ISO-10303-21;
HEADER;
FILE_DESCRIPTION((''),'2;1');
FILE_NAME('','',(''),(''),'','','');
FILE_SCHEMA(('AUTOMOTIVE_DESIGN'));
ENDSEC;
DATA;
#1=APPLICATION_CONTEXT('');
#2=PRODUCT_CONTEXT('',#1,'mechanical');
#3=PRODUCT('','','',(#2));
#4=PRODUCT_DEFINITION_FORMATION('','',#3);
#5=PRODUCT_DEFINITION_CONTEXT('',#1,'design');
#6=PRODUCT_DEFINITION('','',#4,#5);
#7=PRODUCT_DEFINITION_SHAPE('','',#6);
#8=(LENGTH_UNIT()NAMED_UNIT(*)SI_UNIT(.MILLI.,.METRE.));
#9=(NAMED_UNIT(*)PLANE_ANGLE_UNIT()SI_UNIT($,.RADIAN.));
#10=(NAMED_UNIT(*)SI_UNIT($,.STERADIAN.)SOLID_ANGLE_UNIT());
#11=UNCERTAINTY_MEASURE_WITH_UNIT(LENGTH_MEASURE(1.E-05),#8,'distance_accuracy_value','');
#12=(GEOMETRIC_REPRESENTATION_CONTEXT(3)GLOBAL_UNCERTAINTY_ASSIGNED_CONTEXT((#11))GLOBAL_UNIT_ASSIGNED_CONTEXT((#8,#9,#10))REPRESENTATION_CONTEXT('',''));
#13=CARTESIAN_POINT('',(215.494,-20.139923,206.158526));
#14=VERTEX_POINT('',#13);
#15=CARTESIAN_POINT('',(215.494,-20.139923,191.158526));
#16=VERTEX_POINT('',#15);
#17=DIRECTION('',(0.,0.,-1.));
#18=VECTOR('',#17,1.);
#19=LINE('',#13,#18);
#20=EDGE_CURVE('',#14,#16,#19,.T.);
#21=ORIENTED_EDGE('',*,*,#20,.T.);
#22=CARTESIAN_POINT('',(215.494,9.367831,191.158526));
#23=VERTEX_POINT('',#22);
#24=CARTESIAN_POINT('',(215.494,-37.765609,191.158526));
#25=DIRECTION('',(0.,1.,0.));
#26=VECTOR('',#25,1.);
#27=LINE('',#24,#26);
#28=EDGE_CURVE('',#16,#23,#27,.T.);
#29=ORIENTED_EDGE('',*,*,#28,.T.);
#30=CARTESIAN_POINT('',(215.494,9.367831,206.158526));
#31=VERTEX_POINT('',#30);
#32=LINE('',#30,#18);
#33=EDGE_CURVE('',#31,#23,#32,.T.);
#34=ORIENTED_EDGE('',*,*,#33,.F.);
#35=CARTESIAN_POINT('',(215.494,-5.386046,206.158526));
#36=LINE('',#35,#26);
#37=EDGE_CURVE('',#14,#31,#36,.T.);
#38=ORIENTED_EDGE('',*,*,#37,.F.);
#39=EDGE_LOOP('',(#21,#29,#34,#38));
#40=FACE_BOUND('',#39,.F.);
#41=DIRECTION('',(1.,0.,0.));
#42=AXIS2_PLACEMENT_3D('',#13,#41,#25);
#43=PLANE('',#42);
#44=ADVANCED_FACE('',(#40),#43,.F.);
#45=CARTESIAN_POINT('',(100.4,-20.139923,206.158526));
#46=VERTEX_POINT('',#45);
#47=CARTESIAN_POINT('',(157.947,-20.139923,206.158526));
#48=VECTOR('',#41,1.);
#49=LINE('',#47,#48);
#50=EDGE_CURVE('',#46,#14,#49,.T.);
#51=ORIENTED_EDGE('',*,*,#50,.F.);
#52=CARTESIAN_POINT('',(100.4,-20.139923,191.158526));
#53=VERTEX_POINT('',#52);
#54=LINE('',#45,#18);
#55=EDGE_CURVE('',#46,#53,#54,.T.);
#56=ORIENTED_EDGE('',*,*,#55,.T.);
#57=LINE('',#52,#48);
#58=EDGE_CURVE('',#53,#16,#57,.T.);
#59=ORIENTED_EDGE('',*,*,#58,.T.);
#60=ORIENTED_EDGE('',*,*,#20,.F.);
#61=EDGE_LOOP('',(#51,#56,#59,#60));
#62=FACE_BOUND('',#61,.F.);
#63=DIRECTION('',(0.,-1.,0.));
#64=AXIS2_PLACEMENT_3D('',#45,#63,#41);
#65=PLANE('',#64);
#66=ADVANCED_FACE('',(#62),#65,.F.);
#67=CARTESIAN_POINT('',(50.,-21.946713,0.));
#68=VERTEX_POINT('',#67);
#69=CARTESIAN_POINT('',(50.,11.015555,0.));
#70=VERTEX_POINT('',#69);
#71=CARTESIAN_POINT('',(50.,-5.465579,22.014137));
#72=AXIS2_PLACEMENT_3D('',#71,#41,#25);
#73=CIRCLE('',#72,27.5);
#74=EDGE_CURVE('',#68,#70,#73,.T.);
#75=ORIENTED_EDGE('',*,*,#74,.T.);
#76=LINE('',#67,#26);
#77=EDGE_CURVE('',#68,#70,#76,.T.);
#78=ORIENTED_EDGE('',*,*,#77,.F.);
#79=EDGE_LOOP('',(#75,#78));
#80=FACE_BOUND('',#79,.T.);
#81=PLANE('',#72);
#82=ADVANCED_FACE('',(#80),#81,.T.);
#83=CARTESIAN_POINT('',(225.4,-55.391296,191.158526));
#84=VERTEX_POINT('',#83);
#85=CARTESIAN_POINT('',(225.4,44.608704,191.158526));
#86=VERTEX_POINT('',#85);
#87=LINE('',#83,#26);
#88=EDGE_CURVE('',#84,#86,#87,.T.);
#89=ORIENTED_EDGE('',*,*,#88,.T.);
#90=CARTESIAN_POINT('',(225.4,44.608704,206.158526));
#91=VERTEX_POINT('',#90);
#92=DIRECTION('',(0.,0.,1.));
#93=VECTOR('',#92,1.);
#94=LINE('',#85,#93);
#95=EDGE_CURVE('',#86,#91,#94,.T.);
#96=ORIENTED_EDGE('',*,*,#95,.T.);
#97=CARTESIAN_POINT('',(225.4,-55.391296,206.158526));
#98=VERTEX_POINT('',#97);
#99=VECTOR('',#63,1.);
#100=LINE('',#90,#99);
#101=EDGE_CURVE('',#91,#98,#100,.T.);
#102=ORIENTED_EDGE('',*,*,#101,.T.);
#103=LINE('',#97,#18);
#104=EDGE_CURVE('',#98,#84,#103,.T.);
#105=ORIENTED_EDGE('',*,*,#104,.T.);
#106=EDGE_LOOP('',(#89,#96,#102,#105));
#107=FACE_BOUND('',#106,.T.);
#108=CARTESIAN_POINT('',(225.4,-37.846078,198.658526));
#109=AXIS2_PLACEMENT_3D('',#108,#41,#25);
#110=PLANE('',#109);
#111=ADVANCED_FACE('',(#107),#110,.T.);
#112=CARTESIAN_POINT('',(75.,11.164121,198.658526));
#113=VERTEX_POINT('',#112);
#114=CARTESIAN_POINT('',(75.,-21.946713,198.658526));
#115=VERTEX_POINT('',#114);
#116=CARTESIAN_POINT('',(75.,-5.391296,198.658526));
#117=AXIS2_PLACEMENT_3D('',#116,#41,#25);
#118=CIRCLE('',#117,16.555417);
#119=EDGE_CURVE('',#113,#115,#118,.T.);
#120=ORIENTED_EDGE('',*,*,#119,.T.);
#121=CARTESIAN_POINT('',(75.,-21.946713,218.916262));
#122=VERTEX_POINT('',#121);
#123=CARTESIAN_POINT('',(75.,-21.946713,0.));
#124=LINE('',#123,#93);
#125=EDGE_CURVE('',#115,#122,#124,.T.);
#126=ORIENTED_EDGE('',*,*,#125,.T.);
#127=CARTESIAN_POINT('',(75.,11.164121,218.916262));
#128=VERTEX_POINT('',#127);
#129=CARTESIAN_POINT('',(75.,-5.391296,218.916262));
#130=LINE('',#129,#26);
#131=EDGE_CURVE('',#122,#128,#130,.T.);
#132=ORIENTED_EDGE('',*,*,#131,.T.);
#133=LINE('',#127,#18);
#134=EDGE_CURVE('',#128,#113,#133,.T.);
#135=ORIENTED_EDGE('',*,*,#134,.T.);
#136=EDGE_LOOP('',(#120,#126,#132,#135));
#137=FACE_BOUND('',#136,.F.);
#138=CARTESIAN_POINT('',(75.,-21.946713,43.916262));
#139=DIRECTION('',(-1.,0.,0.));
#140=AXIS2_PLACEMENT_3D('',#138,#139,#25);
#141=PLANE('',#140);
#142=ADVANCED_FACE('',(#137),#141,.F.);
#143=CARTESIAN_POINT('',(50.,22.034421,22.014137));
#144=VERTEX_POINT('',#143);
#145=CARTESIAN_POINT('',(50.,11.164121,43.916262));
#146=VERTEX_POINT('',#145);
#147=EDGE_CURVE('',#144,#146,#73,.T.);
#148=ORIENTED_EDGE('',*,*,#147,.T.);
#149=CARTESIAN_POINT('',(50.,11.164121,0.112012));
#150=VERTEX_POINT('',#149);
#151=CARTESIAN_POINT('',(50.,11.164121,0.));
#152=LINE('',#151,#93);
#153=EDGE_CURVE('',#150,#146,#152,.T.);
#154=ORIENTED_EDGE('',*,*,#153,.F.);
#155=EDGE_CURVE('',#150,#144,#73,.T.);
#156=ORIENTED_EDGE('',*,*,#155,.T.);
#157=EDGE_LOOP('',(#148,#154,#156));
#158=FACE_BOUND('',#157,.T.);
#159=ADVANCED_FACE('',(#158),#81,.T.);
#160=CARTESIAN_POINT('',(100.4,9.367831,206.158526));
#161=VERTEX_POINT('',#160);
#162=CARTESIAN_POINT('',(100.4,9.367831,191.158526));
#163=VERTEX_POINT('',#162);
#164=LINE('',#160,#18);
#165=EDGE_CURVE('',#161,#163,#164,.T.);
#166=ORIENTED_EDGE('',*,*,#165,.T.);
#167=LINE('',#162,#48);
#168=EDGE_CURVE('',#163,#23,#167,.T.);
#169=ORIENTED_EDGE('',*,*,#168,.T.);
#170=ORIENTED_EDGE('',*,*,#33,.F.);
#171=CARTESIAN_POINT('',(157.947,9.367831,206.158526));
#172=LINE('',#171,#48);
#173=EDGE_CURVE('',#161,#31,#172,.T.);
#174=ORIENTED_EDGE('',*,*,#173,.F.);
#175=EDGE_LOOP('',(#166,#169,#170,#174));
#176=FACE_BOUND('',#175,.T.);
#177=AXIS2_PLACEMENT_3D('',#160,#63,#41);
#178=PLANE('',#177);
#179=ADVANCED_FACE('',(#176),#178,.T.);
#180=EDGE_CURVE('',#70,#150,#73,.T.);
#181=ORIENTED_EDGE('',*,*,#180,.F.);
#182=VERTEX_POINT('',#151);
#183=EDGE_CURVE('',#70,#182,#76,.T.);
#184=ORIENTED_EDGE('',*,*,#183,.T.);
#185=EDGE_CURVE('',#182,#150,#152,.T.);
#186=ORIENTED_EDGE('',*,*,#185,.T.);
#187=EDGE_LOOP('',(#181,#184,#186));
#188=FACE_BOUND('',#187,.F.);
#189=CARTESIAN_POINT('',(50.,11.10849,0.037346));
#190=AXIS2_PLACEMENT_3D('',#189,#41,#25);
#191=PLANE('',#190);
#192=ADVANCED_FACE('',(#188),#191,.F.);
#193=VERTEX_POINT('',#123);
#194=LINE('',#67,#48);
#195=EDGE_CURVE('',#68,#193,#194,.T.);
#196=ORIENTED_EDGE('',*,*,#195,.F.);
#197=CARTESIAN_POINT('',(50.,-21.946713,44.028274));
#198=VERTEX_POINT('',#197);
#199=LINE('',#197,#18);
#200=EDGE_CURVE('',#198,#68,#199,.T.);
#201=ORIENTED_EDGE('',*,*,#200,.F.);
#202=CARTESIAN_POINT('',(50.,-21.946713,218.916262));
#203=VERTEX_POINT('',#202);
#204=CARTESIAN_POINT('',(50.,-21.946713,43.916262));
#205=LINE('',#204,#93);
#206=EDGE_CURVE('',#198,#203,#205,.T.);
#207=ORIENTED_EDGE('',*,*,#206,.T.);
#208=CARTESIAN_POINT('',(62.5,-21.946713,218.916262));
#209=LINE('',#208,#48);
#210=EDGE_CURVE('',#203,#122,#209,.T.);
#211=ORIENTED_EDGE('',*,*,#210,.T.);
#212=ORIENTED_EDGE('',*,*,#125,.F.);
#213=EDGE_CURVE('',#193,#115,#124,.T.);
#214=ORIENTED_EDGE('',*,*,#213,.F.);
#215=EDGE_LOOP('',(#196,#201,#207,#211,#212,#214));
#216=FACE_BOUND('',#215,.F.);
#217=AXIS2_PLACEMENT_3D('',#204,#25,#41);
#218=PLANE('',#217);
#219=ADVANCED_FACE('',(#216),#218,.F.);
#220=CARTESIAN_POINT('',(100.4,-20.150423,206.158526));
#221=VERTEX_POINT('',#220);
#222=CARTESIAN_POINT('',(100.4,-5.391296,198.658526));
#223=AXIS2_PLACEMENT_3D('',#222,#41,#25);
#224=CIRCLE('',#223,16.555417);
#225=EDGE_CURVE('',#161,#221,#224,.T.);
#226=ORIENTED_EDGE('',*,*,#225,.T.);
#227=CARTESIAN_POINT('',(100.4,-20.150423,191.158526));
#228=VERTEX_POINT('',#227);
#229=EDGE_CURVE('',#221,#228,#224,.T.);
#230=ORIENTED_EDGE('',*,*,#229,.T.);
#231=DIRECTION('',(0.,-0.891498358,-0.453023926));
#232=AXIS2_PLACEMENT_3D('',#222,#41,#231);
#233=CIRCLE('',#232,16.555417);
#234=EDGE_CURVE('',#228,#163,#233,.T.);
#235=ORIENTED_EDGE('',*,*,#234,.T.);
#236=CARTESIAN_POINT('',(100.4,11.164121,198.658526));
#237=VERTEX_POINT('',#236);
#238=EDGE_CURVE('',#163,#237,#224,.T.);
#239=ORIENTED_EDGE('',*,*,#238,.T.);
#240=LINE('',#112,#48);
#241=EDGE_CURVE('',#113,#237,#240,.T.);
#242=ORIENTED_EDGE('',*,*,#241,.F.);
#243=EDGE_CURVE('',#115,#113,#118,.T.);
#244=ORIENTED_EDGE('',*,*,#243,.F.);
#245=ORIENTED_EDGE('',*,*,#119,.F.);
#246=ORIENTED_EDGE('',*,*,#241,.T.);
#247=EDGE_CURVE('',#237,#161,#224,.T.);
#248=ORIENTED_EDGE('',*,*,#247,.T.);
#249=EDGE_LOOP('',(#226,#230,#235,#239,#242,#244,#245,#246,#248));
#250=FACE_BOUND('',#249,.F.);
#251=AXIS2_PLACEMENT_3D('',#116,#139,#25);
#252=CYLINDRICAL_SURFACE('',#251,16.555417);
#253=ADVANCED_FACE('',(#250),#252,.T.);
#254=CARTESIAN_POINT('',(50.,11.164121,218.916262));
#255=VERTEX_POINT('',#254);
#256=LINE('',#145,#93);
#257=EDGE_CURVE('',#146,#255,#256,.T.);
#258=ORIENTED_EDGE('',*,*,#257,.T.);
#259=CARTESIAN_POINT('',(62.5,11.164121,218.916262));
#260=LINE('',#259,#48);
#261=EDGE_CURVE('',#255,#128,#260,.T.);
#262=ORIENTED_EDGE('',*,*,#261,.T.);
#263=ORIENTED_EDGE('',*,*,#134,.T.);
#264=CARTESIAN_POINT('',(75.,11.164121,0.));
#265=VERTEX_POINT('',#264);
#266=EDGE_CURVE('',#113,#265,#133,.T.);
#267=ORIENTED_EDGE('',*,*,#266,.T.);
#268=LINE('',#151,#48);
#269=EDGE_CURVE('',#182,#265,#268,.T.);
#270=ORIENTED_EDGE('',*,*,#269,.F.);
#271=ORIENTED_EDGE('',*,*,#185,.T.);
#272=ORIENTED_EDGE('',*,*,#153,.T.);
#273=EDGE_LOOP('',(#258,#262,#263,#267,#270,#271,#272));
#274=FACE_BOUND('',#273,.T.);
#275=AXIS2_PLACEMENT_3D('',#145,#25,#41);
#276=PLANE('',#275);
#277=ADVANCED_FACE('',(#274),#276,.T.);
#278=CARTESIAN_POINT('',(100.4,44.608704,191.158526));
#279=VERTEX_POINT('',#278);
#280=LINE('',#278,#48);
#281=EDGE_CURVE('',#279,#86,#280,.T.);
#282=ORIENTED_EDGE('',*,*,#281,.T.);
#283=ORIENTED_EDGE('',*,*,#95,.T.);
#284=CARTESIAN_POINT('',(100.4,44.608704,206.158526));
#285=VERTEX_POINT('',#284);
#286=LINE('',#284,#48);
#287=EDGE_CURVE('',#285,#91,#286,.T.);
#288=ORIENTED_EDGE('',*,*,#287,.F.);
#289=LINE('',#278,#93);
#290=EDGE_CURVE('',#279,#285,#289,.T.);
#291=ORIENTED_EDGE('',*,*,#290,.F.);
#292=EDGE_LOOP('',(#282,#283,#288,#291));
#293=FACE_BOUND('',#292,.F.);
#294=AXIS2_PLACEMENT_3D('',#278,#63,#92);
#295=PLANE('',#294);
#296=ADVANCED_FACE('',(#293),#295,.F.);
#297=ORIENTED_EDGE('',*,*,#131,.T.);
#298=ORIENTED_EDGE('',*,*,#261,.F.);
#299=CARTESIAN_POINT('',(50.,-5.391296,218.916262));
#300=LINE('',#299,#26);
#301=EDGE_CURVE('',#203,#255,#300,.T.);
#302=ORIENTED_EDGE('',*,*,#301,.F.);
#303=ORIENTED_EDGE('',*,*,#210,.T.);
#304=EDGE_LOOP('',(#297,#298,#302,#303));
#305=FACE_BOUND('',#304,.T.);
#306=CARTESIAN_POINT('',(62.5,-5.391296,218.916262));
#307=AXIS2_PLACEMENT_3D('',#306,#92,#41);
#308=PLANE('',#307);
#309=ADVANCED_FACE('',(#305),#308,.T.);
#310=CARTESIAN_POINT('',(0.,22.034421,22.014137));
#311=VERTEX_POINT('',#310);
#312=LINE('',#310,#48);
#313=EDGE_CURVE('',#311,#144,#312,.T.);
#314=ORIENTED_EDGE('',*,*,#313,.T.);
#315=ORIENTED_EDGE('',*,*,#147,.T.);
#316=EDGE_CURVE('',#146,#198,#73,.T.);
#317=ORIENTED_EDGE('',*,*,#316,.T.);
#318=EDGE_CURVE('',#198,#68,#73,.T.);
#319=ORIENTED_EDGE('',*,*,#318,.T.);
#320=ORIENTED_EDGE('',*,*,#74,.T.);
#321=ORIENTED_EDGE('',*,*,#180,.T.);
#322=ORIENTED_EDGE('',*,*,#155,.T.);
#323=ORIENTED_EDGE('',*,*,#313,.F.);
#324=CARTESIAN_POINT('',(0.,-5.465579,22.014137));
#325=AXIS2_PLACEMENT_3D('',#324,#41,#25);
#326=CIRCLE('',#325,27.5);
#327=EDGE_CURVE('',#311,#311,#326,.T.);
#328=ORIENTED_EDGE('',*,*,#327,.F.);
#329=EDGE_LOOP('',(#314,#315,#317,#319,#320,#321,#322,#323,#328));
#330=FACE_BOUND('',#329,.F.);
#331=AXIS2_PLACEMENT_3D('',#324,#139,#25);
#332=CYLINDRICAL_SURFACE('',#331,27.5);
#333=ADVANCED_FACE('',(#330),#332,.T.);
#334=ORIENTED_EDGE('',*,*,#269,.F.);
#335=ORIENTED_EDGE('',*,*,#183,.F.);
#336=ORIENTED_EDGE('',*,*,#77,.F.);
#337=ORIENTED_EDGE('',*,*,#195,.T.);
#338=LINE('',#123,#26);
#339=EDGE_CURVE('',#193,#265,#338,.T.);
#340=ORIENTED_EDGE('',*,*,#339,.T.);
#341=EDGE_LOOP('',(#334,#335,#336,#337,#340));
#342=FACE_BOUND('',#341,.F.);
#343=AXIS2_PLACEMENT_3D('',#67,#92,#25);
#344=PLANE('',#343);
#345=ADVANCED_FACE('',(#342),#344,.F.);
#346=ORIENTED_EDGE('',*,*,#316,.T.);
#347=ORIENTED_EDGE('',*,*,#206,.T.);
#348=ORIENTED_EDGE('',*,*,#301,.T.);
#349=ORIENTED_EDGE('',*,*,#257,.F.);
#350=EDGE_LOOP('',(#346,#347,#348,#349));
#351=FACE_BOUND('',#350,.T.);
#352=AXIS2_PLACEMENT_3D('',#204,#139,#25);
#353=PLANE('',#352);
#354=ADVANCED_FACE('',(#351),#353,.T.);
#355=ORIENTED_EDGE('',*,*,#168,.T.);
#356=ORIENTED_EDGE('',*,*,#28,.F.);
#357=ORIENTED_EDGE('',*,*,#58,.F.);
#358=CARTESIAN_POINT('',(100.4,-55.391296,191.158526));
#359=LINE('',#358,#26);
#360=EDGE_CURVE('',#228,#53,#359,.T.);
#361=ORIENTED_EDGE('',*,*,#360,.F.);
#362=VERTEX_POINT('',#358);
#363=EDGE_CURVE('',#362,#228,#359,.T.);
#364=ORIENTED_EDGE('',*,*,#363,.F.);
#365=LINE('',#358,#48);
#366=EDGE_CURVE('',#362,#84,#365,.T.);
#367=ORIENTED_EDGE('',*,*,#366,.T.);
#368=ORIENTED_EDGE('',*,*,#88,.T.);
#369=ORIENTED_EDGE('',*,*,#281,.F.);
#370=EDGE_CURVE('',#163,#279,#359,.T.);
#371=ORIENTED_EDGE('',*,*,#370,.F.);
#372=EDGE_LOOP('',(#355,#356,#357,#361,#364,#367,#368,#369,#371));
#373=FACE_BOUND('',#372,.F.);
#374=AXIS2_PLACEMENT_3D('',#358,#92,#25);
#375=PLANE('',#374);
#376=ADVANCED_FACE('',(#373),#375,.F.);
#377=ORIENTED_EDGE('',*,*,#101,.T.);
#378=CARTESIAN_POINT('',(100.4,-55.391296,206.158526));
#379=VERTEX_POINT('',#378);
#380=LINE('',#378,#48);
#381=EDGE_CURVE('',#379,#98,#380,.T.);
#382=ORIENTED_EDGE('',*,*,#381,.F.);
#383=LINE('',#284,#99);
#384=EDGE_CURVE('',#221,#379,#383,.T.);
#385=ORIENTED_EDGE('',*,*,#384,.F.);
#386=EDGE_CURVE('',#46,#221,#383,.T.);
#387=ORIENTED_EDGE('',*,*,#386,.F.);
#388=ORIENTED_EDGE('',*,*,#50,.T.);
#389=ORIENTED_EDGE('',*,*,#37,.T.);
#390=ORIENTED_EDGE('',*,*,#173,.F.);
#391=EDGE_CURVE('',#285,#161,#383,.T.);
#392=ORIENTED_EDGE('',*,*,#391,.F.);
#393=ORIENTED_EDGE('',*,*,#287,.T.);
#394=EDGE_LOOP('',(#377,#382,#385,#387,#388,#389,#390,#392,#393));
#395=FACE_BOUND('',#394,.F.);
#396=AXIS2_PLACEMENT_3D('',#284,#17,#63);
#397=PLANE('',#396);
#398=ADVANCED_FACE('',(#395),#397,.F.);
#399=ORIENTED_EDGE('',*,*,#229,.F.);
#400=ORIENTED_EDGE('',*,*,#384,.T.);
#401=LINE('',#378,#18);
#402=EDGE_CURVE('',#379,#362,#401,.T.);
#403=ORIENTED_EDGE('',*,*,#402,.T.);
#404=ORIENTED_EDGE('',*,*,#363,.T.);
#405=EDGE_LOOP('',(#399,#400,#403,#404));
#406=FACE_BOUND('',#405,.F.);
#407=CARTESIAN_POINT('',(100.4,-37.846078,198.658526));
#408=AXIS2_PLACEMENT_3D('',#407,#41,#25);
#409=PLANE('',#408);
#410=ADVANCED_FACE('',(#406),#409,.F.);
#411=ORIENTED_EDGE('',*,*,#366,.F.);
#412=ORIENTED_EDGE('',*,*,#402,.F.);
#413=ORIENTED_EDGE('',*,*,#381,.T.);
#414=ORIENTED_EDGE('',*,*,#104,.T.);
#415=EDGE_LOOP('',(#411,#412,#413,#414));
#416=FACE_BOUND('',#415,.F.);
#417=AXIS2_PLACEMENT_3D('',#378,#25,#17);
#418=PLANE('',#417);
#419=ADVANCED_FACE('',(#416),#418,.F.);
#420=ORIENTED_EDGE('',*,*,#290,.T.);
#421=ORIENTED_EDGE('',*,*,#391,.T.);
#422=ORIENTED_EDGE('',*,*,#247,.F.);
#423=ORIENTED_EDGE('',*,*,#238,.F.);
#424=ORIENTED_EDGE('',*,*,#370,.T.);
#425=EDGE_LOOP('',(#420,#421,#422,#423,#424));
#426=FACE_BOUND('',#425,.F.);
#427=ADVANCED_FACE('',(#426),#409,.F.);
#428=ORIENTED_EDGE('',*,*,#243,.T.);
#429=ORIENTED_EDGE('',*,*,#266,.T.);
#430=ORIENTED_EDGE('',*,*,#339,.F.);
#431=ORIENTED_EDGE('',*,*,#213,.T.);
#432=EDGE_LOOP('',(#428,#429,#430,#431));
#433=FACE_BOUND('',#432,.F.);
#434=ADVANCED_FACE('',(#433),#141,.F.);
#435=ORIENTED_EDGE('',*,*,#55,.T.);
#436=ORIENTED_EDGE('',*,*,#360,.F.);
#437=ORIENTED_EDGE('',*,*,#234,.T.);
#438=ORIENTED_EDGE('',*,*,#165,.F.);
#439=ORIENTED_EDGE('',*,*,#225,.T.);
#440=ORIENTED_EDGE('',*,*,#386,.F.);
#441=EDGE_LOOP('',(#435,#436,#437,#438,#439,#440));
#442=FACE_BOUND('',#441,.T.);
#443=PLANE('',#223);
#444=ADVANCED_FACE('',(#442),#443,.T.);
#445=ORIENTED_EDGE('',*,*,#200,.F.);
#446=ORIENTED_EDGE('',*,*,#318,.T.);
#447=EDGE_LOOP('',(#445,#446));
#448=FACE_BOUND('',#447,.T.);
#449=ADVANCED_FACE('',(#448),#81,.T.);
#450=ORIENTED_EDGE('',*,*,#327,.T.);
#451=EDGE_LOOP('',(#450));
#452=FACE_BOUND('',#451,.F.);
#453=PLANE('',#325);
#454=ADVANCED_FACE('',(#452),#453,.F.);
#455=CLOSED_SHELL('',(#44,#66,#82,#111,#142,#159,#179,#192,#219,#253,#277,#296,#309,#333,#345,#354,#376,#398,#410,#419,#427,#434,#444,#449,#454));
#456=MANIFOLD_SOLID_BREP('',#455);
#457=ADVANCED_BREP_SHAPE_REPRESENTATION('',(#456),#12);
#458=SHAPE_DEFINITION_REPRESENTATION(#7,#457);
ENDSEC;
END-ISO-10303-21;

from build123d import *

# Parameters (mm, degrees)
F0_R      = 27.5
F1_DEPTH  = 50
F3_DEPTH  = 25
F4_W      = 25
F4_H      = 33.110834
F5_DEPTH  = 175
F7_DEPTH  = 25.4
F9_DEPTH  = 125
F10_W     = 115.094
F10_H     = 29.507754
F11_DEPTH = 25.4


with BuildPart() as f1:
    # F0 (on Right) → F1 (new body)
    with BuildSketch(Plane.YZ):
        with Locations((-5.465579, 22.014137)):
            Circle(F0_R)
    extrude(amount=F1_DEPTH)

    # F2 (on face) → F3 (join)
    with BuildSketch(Plane.YZ.offset(50)):
        with BuildLine():
            ThreePointArc((11.164121, 0.112013), (11.089932, 0.055881), (11.015554, 0))
            Line((11.015554, 0), (11.164121, 0))
            Line((11.164121, 0), (11.164121, 0.112013))
        make_face()
        with BuildLine():
            Line((-21.946713, 43.916262), (-21.946713, 0))
            Line((-21.946713, 0), (11.015554, 0))
            ThreePointArc((11.015554, 0), (11.089932, 0.055881), (11.164121, 0.112013))
            Line((11.164121, 0.112013), (11.164121, 43.916262))
            Line((11.164121, 43.916262), (-21.946713, 43.916262))
        make_face()
    extrude(amount=F3_DEPTH)

    # F4 (on face) → F5 (join)
    with BuildSketch(Plane.XY.offset(43.916262)):
        with Locations((62.5, -5.391296)):
            Rectangle(F4_W, F4_H)
    extrude(amount=F5_DEPTH)

    # F6 (on face) → F7 (join)
    with BuildSketch(Plane.YZ.offset(75)):
        with BuildLine():
            ThreePointArc((-21.946713, 198.658526), (-5.391296, 182.103109), (11.164121, 198.658526))
            ThreePointArc((11.164121, 198.658526), (-5.391296, 215.213943), (-21.946713, 198.658526))
        make_face()
    extrude(amount=F7_DEPTH)

    # F8 (on face) → F9 (join)
    with BuildSketch(Plane.YZ.offset(100.4)):
        with BuildLine():
            Line((-20.150423, 206.158526), (-55.391296, 206.158526))
            Line((-55.391296, 206.158526), (-55.391296, 191.158526))
            Line((-55.391296, 191.158526), (-20.150423, 191.158526))
            ThreePointArc((-20.150423, 191.158526), (-21.946713, 198.658526), (-20.150423, 206.158526))
        make_face()
        with BuildLine():
            Line((44.608704, 206.158526), (9.367831, 206.158526))
            ThreePointArc((9.367831, 206.158526), (10.708787, 202.514581), (11.164121, 198.658526))
            ThreePointArc((11.164121, 198.658526), (10.708787, 194.80247), (9.367831, 191.158526))
            Line((9.367831, 191.158526), (44.608704, 191.158526))
            Line((44.608704, 191.158526), (44.608704, 206.158526))
        make_face()
        with BuildLine():
            Line((9.367831, 206.158526), (-20.150423, 206.158526))
            ThreePointArc((-20.150423, 206.158526), (-21.946713, 198.658526), (-20.150423, 191.158526))
            Line((-20.150423, 191.158526), (9.367831, 191.158526))
            ThreePointArc((9.367831, 191.158526), (10.708787, 194.80247), (11.164121, 198.658526))
            ThreePointArc((11.164121, 198.658526), (10.708787, 202.514581), (9.367831, 206.158526))
        make_face()
    extrude(amount=F9_DEPTH)

    # F10 (on face) → F11 (cut)
    with BuildSketch(Plane.XY.offset(206.158526)):
        with Locations((157.947, -5.386046)):
            Rectangle(F10_W, F10_H)
    extrude(amount=-F11_DEPTH, mode=Mode.SUBTRACT)


solid = f1.part
